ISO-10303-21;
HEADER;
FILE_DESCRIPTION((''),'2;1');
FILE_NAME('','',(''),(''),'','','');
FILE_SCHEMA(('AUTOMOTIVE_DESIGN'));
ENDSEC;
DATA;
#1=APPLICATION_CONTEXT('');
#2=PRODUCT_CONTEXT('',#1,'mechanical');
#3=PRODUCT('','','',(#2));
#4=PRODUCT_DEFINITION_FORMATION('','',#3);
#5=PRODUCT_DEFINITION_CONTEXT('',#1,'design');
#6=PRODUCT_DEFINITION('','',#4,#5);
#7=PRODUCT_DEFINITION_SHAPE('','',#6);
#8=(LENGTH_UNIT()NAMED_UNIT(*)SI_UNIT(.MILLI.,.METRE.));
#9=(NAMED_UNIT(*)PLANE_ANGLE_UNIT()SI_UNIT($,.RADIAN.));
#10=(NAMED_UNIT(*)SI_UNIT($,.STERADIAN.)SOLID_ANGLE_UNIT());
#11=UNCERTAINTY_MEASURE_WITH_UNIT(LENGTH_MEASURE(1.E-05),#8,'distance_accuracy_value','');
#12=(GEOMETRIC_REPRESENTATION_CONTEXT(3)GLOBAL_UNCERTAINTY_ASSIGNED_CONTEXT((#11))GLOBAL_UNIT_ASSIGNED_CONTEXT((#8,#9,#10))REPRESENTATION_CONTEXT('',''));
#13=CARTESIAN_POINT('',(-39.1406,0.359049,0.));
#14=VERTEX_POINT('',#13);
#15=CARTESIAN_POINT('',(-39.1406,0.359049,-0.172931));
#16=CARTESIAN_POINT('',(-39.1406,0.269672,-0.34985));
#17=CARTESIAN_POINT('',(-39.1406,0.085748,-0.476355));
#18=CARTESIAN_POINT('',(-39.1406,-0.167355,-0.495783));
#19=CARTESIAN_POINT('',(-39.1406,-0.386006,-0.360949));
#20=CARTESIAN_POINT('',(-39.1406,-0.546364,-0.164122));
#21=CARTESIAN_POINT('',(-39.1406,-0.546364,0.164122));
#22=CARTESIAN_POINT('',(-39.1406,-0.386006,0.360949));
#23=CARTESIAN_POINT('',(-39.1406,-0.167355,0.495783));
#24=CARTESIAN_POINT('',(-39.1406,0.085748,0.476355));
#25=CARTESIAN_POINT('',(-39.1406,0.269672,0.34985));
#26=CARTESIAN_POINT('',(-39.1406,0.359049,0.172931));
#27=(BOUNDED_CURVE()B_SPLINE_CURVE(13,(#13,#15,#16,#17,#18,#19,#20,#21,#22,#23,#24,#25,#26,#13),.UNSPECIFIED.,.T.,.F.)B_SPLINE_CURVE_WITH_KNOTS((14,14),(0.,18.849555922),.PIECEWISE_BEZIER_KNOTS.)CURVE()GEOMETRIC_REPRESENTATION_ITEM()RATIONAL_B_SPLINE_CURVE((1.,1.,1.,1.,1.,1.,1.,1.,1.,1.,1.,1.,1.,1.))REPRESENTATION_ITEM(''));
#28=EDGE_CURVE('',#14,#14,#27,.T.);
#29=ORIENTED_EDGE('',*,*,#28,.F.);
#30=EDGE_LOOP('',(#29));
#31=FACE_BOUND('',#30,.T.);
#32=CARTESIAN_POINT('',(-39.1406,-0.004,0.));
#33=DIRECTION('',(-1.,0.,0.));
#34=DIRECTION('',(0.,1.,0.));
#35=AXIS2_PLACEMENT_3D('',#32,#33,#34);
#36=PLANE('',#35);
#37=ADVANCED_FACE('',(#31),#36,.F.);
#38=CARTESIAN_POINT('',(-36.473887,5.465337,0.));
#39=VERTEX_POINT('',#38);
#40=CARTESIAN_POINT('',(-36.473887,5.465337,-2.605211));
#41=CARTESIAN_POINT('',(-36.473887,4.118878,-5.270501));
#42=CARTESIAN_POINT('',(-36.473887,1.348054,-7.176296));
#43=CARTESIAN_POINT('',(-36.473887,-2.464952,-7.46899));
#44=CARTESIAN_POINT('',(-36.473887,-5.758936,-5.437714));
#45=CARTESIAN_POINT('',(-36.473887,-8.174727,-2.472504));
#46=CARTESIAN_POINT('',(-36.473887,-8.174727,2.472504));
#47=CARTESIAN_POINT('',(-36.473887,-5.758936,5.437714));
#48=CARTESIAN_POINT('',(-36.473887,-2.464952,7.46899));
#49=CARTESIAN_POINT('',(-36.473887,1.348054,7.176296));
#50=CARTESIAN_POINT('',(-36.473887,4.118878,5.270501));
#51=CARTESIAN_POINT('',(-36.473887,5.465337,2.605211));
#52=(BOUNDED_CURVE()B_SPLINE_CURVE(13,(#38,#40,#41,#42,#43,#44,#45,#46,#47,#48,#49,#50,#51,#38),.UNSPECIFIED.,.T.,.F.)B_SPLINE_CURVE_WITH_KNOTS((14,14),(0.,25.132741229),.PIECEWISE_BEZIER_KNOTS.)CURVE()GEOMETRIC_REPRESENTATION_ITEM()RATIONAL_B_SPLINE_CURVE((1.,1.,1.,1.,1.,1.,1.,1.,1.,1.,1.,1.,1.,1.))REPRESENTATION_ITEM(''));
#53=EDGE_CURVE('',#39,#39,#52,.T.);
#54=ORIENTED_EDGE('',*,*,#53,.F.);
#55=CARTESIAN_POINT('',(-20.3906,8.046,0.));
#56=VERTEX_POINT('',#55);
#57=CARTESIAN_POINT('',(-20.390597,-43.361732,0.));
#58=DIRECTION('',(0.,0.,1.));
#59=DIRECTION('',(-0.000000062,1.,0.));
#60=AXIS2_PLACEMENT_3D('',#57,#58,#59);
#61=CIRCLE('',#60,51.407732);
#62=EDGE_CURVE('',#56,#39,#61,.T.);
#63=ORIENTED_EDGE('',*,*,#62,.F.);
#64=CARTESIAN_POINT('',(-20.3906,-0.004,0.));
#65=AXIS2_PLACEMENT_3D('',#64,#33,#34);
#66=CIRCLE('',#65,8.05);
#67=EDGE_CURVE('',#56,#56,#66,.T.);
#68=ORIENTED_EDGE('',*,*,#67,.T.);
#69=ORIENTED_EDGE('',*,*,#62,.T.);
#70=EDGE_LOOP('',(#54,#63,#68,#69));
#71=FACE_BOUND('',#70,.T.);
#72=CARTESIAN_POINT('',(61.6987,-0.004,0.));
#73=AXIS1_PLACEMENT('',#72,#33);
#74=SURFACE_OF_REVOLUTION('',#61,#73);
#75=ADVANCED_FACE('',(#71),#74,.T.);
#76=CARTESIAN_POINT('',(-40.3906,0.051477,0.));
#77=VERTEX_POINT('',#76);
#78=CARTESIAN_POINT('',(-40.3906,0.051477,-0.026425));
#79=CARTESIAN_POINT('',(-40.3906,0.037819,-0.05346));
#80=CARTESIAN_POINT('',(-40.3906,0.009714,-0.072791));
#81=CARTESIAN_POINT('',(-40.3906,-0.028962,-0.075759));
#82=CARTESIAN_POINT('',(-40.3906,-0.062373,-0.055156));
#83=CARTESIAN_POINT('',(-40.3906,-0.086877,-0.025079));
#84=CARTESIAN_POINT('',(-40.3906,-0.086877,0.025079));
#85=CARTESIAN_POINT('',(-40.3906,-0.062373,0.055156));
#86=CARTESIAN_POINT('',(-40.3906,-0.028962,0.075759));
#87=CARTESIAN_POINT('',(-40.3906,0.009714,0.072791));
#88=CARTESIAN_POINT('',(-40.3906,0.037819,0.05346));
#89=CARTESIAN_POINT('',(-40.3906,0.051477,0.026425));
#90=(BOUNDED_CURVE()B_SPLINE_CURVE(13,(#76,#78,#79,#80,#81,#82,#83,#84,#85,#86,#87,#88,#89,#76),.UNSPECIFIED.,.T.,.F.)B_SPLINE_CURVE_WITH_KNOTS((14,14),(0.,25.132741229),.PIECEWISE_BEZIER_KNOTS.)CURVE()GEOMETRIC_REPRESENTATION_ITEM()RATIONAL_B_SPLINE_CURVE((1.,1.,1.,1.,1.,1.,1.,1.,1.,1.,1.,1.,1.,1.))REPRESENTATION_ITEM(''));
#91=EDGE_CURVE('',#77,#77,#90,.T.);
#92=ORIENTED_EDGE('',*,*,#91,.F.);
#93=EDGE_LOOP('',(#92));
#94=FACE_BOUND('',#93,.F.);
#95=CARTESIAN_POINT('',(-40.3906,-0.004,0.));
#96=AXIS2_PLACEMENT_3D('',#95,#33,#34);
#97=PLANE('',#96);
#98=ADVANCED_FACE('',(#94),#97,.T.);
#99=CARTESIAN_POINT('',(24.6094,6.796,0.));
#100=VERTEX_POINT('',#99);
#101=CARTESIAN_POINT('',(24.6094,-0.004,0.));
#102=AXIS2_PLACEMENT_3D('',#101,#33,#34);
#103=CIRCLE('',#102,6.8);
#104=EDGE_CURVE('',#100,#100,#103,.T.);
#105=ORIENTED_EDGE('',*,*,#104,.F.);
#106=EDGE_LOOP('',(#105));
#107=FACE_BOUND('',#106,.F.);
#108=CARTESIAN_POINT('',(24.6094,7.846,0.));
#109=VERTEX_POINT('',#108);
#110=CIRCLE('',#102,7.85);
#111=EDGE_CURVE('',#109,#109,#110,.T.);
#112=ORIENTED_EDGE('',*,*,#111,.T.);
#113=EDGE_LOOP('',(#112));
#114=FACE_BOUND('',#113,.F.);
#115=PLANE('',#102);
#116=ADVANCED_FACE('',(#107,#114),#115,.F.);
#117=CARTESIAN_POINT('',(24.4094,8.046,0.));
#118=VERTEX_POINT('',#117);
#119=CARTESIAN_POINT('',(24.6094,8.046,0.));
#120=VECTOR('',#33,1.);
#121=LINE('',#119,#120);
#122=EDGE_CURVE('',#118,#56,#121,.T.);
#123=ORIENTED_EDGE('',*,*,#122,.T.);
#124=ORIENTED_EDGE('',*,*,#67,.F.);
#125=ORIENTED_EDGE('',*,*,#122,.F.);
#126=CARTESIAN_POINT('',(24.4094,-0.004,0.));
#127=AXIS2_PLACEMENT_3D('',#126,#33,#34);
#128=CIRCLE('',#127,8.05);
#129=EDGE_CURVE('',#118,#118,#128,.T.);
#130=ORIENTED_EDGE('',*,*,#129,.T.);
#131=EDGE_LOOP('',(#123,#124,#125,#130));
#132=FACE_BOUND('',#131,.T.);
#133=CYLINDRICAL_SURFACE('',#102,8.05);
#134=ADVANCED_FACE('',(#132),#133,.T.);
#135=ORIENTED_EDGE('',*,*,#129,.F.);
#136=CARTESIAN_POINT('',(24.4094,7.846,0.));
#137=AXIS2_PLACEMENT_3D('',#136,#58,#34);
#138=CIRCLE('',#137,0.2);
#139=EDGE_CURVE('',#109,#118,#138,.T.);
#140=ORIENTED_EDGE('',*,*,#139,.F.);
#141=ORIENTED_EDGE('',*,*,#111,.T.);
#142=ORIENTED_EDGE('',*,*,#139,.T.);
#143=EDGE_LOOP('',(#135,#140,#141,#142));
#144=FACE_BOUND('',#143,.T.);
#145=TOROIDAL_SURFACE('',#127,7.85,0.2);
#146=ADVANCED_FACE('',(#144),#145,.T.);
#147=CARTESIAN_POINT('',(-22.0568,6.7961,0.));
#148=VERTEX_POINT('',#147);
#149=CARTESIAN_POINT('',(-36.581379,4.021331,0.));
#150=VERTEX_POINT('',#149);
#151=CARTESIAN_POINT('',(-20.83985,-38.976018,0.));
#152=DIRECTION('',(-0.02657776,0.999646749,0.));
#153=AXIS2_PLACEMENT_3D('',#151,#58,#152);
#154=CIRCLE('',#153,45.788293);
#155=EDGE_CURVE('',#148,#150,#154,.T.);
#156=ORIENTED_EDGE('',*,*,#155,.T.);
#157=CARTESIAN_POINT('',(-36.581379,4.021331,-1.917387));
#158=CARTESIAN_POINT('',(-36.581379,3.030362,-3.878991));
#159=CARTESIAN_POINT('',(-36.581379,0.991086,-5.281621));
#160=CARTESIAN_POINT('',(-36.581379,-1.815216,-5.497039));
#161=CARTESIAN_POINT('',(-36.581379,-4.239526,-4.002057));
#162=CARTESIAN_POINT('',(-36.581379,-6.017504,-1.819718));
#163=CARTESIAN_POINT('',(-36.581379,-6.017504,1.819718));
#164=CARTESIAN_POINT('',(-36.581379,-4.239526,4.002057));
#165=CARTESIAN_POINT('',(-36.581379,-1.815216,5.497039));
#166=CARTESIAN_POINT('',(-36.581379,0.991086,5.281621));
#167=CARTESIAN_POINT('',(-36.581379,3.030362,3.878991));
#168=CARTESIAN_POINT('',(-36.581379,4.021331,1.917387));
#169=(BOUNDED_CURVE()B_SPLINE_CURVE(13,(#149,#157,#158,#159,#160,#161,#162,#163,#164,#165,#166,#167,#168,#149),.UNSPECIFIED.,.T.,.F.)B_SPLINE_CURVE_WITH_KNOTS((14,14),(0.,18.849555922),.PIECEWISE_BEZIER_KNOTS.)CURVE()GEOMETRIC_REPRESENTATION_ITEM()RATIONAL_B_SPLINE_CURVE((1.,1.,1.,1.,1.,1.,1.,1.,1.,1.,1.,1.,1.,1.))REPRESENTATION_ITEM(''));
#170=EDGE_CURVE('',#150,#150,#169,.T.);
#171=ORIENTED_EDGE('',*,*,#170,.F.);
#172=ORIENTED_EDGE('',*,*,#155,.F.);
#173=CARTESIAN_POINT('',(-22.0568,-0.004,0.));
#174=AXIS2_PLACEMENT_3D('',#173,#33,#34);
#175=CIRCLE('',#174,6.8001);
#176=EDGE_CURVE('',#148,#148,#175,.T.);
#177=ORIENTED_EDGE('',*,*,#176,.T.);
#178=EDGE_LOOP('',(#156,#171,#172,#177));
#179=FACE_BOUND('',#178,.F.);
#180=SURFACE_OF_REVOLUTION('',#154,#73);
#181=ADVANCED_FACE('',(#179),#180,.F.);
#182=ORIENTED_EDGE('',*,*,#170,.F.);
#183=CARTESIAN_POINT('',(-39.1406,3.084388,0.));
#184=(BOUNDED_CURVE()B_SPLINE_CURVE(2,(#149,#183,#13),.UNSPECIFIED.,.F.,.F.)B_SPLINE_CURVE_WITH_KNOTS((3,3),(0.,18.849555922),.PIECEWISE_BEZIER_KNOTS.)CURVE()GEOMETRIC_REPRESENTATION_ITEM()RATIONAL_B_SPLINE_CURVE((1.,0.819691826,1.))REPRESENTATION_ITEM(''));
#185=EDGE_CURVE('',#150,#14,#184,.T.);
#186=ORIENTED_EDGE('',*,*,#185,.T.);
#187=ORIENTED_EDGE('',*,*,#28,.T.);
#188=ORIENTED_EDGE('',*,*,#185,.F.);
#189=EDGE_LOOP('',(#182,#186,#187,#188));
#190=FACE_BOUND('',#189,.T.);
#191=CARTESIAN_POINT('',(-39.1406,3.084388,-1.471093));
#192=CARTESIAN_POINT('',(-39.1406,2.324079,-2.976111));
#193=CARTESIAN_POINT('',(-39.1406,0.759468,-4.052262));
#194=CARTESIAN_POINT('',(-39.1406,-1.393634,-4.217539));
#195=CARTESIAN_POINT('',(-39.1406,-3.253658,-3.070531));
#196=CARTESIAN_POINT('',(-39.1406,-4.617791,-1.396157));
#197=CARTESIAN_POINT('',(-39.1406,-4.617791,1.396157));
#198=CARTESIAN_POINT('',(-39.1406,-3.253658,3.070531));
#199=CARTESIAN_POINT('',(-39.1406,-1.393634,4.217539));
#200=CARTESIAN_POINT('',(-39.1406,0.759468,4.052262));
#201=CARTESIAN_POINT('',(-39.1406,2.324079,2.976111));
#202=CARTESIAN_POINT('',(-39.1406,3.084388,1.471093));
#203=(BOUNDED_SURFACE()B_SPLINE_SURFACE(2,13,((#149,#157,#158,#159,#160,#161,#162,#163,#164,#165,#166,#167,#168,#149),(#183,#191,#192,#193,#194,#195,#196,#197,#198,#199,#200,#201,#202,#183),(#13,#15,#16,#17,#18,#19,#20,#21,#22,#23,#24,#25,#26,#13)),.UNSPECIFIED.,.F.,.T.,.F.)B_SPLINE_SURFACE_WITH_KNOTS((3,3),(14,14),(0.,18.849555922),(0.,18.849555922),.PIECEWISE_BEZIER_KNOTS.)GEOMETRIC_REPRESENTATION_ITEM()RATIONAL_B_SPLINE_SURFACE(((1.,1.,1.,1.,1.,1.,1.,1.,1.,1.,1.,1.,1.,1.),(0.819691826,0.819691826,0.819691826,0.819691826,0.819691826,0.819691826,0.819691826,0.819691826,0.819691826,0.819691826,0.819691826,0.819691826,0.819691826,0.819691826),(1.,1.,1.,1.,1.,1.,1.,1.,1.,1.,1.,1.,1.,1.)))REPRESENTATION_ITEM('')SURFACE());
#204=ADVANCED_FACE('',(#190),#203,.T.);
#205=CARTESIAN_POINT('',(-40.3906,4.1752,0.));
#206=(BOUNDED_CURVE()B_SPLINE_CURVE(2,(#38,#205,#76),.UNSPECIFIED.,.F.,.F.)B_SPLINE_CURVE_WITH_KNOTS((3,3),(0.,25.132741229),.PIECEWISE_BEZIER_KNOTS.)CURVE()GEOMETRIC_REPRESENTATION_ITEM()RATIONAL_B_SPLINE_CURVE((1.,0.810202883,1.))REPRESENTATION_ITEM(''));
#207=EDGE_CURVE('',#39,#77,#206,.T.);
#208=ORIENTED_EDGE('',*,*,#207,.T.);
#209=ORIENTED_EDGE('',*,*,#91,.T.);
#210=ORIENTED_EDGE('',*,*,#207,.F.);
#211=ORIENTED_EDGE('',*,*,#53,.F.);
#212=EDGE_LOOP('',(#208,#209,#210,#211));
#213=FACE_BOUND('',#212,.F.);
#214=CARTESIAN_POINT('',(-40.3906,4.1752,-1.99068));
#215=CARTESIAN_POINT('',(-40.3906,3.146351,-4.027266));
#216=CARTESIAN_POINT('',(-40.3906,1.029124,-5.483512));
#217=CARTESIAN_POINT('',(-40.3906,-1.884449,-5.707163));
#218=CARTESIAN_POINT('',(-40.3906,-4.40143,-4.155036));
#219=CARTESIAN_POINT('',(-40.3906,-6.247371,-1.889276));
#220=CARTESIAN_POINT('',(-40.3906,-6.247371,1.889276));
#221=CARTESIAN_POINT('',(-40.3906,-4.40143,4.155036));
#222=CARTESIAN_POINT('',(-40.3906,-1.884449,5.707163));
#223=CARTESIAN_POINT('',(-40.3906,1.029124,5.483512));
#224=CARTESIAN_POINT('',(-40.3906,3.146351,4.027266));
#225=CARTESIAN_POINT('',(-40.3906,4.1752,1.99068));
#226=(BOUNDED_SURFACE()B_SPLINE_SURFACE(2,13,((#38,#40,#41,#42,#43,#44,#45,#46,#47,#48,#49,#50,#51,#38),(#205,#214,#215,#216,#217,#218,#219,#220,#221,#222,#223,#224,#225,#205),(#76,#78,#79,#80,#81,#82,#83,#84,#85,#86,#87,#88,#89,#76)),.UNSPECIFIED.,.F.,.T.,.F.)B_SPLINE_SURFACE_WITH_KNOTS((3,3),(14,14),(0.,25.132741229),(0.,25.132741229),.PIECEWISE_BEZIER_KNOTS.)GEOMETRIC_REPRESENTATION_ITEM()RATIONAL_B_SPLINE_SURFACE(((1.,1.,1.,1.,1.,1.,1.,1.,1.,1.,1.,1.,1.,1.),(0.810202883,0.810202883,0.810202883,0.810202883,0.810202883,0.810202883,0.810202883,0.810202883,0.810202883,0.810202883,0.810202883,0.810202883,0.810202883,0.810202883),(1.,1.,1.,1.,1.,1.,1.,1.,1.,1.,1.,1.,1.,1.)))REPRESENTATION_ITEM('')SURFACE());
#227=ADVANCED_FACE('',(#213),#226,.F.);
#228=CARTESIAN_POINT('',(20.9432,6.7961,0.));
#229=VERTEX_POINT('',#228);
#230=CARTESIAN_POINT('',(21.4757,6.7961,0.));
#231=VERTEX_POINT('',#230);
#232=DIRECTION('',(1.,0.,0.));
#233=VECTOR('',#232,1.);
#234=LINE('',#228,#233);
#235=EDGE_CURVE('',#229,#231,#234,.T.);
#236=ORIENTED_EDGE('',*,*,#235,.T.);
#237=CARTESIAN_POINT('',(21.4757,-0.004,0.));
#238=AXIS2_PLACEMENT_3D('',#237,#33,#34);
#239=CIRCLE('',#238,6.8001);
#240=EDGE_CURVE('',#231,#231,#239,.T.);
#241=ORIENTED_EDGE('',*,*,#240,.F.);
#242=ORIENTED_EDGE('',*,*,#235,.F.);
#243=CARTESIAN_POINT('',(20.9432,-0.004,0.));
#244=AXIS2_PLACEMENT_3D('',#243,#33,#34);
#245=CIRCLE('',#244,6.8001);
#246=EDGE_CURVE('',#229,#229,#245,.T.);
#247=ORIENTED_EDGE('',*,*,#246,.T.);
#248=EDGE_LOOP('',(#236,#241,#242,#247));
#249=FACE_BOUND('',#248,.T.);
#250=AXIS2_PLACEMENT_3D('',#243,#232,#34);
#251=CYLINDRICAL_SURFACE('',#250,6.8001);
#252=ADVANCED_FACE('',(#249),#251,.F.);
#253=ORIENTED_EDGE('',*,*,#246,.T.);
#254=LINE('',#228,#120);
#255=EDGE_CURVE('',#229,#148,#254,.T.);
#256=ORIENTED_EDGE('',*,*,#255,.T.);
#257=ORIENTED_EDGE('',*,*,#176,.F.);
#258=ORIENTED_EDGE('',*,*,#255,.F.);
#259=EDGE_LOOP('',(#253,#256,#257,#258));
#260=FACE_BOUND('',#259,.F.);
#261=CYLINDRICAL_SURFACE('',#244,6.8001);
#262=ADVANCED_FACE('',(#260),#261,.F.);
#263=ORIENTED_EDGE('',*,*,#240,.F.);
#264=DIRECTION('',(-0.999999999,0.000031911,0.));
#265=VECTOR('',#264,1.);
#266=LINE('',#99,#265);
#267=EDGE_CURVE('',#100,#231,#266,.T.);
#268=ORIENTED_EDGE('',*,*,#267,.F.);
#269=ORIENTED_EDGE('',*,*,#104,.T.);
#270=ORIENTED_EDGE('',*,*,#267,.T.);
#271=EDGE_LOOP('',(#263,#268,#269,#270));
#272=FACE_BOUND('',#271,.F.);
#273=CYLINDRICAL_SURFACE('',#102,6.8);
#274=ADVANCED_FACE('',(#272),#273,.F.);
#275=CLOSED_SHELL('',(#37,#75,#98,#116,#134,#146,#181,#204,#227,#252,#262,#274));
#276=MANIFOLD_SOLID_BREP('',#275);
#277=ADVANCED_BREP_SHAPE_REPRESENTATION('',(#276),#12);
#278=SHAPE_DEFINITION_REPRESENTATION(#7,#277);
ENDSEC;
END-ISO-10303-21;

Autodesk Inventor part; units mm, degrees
ref_plane "YZ Plane" through (0, 0, 0) normal (1, 0, 0) x (0, 1, 0)
ref_plane "XZ Plane" through (0, 0, 0) normal (0, 1, 0) x (-1, 0, 0)
ref_plane "XY Plane" through (0, 0, 0) normal (0, 0, 1) x (1, 0, 0)
sketch "Sketch1" plane through (0, 0, 0) normal (0, 0, 1) x (1, 0, 0)
  line L0 (-32.3906, 7.996) -> (-32.3906, -0.004) construction
  line L1 (-40.3906, -0.004) -> (-32.3906, -0.004) construction
  line L2 (61.6987, -0.004) -> (-73.3826, -0.004) construction
  line L3 (24.6094, 8.046) -> (24.6094, 6.796)
  line L4 (-40.3906, -0.004) -> (-39.1406, -0.004)
  line L5 (21.2094, 9.588) -> (21.2094, 3.996) construction
  line L6 (24.6094, 6.796) -> (21.4757, 6.7961)
  line L7 (24.6094, 8.046) -> (-20.3906, 8.046)
  line L8 (-40.3906, -0.004) -> (-40.3906, 3.996)
  arc A0 (-20.3906, 8.046) -> (-40.3906, 3.996) centre (-20.3906, -43.3617) ccw
  line L9 (20.9432, 6.7961) -> (-22.0568, 6.7961)
  line L10 (-39.1406, -0.004) -> (-39.1406, 2.996)
  arc A1 (-22.0568, 6.7961) -> (-39.1406, 2.996) centre (-20.84, -38.9748) ccw
  line L11 (20.9432, 6.7961) -> (21.4757, 6.7961)
  point P0 (0, 0)
  point P1 (-32.3906, 6.746)
  dimension "d3" = 1.25
  dimension "d4" = 65
  dimension "d6" = 6.8
  dimension "d7" = 8.05
  dimension "d8" = 3.4
  dimension "d12" = 45
  dimension "d13" = 4
  dimension "d14" = 3
  dimension "d16" = 43
revolve "Revolution1" add sketch "Sketch1" angle 360 about axis through (61.6987, -0.004, 0) along (-1, 0, 0)
fillet "Fillet1" radius 0.2 1 edges at (24.6094, -8.054, 0)
fillet "Fillet2" radius 5.7 1 edges at (-40.3906, -4.004, 0)
fillet "Fillet3" radius 3.9 1 edges at (-39.1406, -3.004, 0)
properties part number "Cap"
